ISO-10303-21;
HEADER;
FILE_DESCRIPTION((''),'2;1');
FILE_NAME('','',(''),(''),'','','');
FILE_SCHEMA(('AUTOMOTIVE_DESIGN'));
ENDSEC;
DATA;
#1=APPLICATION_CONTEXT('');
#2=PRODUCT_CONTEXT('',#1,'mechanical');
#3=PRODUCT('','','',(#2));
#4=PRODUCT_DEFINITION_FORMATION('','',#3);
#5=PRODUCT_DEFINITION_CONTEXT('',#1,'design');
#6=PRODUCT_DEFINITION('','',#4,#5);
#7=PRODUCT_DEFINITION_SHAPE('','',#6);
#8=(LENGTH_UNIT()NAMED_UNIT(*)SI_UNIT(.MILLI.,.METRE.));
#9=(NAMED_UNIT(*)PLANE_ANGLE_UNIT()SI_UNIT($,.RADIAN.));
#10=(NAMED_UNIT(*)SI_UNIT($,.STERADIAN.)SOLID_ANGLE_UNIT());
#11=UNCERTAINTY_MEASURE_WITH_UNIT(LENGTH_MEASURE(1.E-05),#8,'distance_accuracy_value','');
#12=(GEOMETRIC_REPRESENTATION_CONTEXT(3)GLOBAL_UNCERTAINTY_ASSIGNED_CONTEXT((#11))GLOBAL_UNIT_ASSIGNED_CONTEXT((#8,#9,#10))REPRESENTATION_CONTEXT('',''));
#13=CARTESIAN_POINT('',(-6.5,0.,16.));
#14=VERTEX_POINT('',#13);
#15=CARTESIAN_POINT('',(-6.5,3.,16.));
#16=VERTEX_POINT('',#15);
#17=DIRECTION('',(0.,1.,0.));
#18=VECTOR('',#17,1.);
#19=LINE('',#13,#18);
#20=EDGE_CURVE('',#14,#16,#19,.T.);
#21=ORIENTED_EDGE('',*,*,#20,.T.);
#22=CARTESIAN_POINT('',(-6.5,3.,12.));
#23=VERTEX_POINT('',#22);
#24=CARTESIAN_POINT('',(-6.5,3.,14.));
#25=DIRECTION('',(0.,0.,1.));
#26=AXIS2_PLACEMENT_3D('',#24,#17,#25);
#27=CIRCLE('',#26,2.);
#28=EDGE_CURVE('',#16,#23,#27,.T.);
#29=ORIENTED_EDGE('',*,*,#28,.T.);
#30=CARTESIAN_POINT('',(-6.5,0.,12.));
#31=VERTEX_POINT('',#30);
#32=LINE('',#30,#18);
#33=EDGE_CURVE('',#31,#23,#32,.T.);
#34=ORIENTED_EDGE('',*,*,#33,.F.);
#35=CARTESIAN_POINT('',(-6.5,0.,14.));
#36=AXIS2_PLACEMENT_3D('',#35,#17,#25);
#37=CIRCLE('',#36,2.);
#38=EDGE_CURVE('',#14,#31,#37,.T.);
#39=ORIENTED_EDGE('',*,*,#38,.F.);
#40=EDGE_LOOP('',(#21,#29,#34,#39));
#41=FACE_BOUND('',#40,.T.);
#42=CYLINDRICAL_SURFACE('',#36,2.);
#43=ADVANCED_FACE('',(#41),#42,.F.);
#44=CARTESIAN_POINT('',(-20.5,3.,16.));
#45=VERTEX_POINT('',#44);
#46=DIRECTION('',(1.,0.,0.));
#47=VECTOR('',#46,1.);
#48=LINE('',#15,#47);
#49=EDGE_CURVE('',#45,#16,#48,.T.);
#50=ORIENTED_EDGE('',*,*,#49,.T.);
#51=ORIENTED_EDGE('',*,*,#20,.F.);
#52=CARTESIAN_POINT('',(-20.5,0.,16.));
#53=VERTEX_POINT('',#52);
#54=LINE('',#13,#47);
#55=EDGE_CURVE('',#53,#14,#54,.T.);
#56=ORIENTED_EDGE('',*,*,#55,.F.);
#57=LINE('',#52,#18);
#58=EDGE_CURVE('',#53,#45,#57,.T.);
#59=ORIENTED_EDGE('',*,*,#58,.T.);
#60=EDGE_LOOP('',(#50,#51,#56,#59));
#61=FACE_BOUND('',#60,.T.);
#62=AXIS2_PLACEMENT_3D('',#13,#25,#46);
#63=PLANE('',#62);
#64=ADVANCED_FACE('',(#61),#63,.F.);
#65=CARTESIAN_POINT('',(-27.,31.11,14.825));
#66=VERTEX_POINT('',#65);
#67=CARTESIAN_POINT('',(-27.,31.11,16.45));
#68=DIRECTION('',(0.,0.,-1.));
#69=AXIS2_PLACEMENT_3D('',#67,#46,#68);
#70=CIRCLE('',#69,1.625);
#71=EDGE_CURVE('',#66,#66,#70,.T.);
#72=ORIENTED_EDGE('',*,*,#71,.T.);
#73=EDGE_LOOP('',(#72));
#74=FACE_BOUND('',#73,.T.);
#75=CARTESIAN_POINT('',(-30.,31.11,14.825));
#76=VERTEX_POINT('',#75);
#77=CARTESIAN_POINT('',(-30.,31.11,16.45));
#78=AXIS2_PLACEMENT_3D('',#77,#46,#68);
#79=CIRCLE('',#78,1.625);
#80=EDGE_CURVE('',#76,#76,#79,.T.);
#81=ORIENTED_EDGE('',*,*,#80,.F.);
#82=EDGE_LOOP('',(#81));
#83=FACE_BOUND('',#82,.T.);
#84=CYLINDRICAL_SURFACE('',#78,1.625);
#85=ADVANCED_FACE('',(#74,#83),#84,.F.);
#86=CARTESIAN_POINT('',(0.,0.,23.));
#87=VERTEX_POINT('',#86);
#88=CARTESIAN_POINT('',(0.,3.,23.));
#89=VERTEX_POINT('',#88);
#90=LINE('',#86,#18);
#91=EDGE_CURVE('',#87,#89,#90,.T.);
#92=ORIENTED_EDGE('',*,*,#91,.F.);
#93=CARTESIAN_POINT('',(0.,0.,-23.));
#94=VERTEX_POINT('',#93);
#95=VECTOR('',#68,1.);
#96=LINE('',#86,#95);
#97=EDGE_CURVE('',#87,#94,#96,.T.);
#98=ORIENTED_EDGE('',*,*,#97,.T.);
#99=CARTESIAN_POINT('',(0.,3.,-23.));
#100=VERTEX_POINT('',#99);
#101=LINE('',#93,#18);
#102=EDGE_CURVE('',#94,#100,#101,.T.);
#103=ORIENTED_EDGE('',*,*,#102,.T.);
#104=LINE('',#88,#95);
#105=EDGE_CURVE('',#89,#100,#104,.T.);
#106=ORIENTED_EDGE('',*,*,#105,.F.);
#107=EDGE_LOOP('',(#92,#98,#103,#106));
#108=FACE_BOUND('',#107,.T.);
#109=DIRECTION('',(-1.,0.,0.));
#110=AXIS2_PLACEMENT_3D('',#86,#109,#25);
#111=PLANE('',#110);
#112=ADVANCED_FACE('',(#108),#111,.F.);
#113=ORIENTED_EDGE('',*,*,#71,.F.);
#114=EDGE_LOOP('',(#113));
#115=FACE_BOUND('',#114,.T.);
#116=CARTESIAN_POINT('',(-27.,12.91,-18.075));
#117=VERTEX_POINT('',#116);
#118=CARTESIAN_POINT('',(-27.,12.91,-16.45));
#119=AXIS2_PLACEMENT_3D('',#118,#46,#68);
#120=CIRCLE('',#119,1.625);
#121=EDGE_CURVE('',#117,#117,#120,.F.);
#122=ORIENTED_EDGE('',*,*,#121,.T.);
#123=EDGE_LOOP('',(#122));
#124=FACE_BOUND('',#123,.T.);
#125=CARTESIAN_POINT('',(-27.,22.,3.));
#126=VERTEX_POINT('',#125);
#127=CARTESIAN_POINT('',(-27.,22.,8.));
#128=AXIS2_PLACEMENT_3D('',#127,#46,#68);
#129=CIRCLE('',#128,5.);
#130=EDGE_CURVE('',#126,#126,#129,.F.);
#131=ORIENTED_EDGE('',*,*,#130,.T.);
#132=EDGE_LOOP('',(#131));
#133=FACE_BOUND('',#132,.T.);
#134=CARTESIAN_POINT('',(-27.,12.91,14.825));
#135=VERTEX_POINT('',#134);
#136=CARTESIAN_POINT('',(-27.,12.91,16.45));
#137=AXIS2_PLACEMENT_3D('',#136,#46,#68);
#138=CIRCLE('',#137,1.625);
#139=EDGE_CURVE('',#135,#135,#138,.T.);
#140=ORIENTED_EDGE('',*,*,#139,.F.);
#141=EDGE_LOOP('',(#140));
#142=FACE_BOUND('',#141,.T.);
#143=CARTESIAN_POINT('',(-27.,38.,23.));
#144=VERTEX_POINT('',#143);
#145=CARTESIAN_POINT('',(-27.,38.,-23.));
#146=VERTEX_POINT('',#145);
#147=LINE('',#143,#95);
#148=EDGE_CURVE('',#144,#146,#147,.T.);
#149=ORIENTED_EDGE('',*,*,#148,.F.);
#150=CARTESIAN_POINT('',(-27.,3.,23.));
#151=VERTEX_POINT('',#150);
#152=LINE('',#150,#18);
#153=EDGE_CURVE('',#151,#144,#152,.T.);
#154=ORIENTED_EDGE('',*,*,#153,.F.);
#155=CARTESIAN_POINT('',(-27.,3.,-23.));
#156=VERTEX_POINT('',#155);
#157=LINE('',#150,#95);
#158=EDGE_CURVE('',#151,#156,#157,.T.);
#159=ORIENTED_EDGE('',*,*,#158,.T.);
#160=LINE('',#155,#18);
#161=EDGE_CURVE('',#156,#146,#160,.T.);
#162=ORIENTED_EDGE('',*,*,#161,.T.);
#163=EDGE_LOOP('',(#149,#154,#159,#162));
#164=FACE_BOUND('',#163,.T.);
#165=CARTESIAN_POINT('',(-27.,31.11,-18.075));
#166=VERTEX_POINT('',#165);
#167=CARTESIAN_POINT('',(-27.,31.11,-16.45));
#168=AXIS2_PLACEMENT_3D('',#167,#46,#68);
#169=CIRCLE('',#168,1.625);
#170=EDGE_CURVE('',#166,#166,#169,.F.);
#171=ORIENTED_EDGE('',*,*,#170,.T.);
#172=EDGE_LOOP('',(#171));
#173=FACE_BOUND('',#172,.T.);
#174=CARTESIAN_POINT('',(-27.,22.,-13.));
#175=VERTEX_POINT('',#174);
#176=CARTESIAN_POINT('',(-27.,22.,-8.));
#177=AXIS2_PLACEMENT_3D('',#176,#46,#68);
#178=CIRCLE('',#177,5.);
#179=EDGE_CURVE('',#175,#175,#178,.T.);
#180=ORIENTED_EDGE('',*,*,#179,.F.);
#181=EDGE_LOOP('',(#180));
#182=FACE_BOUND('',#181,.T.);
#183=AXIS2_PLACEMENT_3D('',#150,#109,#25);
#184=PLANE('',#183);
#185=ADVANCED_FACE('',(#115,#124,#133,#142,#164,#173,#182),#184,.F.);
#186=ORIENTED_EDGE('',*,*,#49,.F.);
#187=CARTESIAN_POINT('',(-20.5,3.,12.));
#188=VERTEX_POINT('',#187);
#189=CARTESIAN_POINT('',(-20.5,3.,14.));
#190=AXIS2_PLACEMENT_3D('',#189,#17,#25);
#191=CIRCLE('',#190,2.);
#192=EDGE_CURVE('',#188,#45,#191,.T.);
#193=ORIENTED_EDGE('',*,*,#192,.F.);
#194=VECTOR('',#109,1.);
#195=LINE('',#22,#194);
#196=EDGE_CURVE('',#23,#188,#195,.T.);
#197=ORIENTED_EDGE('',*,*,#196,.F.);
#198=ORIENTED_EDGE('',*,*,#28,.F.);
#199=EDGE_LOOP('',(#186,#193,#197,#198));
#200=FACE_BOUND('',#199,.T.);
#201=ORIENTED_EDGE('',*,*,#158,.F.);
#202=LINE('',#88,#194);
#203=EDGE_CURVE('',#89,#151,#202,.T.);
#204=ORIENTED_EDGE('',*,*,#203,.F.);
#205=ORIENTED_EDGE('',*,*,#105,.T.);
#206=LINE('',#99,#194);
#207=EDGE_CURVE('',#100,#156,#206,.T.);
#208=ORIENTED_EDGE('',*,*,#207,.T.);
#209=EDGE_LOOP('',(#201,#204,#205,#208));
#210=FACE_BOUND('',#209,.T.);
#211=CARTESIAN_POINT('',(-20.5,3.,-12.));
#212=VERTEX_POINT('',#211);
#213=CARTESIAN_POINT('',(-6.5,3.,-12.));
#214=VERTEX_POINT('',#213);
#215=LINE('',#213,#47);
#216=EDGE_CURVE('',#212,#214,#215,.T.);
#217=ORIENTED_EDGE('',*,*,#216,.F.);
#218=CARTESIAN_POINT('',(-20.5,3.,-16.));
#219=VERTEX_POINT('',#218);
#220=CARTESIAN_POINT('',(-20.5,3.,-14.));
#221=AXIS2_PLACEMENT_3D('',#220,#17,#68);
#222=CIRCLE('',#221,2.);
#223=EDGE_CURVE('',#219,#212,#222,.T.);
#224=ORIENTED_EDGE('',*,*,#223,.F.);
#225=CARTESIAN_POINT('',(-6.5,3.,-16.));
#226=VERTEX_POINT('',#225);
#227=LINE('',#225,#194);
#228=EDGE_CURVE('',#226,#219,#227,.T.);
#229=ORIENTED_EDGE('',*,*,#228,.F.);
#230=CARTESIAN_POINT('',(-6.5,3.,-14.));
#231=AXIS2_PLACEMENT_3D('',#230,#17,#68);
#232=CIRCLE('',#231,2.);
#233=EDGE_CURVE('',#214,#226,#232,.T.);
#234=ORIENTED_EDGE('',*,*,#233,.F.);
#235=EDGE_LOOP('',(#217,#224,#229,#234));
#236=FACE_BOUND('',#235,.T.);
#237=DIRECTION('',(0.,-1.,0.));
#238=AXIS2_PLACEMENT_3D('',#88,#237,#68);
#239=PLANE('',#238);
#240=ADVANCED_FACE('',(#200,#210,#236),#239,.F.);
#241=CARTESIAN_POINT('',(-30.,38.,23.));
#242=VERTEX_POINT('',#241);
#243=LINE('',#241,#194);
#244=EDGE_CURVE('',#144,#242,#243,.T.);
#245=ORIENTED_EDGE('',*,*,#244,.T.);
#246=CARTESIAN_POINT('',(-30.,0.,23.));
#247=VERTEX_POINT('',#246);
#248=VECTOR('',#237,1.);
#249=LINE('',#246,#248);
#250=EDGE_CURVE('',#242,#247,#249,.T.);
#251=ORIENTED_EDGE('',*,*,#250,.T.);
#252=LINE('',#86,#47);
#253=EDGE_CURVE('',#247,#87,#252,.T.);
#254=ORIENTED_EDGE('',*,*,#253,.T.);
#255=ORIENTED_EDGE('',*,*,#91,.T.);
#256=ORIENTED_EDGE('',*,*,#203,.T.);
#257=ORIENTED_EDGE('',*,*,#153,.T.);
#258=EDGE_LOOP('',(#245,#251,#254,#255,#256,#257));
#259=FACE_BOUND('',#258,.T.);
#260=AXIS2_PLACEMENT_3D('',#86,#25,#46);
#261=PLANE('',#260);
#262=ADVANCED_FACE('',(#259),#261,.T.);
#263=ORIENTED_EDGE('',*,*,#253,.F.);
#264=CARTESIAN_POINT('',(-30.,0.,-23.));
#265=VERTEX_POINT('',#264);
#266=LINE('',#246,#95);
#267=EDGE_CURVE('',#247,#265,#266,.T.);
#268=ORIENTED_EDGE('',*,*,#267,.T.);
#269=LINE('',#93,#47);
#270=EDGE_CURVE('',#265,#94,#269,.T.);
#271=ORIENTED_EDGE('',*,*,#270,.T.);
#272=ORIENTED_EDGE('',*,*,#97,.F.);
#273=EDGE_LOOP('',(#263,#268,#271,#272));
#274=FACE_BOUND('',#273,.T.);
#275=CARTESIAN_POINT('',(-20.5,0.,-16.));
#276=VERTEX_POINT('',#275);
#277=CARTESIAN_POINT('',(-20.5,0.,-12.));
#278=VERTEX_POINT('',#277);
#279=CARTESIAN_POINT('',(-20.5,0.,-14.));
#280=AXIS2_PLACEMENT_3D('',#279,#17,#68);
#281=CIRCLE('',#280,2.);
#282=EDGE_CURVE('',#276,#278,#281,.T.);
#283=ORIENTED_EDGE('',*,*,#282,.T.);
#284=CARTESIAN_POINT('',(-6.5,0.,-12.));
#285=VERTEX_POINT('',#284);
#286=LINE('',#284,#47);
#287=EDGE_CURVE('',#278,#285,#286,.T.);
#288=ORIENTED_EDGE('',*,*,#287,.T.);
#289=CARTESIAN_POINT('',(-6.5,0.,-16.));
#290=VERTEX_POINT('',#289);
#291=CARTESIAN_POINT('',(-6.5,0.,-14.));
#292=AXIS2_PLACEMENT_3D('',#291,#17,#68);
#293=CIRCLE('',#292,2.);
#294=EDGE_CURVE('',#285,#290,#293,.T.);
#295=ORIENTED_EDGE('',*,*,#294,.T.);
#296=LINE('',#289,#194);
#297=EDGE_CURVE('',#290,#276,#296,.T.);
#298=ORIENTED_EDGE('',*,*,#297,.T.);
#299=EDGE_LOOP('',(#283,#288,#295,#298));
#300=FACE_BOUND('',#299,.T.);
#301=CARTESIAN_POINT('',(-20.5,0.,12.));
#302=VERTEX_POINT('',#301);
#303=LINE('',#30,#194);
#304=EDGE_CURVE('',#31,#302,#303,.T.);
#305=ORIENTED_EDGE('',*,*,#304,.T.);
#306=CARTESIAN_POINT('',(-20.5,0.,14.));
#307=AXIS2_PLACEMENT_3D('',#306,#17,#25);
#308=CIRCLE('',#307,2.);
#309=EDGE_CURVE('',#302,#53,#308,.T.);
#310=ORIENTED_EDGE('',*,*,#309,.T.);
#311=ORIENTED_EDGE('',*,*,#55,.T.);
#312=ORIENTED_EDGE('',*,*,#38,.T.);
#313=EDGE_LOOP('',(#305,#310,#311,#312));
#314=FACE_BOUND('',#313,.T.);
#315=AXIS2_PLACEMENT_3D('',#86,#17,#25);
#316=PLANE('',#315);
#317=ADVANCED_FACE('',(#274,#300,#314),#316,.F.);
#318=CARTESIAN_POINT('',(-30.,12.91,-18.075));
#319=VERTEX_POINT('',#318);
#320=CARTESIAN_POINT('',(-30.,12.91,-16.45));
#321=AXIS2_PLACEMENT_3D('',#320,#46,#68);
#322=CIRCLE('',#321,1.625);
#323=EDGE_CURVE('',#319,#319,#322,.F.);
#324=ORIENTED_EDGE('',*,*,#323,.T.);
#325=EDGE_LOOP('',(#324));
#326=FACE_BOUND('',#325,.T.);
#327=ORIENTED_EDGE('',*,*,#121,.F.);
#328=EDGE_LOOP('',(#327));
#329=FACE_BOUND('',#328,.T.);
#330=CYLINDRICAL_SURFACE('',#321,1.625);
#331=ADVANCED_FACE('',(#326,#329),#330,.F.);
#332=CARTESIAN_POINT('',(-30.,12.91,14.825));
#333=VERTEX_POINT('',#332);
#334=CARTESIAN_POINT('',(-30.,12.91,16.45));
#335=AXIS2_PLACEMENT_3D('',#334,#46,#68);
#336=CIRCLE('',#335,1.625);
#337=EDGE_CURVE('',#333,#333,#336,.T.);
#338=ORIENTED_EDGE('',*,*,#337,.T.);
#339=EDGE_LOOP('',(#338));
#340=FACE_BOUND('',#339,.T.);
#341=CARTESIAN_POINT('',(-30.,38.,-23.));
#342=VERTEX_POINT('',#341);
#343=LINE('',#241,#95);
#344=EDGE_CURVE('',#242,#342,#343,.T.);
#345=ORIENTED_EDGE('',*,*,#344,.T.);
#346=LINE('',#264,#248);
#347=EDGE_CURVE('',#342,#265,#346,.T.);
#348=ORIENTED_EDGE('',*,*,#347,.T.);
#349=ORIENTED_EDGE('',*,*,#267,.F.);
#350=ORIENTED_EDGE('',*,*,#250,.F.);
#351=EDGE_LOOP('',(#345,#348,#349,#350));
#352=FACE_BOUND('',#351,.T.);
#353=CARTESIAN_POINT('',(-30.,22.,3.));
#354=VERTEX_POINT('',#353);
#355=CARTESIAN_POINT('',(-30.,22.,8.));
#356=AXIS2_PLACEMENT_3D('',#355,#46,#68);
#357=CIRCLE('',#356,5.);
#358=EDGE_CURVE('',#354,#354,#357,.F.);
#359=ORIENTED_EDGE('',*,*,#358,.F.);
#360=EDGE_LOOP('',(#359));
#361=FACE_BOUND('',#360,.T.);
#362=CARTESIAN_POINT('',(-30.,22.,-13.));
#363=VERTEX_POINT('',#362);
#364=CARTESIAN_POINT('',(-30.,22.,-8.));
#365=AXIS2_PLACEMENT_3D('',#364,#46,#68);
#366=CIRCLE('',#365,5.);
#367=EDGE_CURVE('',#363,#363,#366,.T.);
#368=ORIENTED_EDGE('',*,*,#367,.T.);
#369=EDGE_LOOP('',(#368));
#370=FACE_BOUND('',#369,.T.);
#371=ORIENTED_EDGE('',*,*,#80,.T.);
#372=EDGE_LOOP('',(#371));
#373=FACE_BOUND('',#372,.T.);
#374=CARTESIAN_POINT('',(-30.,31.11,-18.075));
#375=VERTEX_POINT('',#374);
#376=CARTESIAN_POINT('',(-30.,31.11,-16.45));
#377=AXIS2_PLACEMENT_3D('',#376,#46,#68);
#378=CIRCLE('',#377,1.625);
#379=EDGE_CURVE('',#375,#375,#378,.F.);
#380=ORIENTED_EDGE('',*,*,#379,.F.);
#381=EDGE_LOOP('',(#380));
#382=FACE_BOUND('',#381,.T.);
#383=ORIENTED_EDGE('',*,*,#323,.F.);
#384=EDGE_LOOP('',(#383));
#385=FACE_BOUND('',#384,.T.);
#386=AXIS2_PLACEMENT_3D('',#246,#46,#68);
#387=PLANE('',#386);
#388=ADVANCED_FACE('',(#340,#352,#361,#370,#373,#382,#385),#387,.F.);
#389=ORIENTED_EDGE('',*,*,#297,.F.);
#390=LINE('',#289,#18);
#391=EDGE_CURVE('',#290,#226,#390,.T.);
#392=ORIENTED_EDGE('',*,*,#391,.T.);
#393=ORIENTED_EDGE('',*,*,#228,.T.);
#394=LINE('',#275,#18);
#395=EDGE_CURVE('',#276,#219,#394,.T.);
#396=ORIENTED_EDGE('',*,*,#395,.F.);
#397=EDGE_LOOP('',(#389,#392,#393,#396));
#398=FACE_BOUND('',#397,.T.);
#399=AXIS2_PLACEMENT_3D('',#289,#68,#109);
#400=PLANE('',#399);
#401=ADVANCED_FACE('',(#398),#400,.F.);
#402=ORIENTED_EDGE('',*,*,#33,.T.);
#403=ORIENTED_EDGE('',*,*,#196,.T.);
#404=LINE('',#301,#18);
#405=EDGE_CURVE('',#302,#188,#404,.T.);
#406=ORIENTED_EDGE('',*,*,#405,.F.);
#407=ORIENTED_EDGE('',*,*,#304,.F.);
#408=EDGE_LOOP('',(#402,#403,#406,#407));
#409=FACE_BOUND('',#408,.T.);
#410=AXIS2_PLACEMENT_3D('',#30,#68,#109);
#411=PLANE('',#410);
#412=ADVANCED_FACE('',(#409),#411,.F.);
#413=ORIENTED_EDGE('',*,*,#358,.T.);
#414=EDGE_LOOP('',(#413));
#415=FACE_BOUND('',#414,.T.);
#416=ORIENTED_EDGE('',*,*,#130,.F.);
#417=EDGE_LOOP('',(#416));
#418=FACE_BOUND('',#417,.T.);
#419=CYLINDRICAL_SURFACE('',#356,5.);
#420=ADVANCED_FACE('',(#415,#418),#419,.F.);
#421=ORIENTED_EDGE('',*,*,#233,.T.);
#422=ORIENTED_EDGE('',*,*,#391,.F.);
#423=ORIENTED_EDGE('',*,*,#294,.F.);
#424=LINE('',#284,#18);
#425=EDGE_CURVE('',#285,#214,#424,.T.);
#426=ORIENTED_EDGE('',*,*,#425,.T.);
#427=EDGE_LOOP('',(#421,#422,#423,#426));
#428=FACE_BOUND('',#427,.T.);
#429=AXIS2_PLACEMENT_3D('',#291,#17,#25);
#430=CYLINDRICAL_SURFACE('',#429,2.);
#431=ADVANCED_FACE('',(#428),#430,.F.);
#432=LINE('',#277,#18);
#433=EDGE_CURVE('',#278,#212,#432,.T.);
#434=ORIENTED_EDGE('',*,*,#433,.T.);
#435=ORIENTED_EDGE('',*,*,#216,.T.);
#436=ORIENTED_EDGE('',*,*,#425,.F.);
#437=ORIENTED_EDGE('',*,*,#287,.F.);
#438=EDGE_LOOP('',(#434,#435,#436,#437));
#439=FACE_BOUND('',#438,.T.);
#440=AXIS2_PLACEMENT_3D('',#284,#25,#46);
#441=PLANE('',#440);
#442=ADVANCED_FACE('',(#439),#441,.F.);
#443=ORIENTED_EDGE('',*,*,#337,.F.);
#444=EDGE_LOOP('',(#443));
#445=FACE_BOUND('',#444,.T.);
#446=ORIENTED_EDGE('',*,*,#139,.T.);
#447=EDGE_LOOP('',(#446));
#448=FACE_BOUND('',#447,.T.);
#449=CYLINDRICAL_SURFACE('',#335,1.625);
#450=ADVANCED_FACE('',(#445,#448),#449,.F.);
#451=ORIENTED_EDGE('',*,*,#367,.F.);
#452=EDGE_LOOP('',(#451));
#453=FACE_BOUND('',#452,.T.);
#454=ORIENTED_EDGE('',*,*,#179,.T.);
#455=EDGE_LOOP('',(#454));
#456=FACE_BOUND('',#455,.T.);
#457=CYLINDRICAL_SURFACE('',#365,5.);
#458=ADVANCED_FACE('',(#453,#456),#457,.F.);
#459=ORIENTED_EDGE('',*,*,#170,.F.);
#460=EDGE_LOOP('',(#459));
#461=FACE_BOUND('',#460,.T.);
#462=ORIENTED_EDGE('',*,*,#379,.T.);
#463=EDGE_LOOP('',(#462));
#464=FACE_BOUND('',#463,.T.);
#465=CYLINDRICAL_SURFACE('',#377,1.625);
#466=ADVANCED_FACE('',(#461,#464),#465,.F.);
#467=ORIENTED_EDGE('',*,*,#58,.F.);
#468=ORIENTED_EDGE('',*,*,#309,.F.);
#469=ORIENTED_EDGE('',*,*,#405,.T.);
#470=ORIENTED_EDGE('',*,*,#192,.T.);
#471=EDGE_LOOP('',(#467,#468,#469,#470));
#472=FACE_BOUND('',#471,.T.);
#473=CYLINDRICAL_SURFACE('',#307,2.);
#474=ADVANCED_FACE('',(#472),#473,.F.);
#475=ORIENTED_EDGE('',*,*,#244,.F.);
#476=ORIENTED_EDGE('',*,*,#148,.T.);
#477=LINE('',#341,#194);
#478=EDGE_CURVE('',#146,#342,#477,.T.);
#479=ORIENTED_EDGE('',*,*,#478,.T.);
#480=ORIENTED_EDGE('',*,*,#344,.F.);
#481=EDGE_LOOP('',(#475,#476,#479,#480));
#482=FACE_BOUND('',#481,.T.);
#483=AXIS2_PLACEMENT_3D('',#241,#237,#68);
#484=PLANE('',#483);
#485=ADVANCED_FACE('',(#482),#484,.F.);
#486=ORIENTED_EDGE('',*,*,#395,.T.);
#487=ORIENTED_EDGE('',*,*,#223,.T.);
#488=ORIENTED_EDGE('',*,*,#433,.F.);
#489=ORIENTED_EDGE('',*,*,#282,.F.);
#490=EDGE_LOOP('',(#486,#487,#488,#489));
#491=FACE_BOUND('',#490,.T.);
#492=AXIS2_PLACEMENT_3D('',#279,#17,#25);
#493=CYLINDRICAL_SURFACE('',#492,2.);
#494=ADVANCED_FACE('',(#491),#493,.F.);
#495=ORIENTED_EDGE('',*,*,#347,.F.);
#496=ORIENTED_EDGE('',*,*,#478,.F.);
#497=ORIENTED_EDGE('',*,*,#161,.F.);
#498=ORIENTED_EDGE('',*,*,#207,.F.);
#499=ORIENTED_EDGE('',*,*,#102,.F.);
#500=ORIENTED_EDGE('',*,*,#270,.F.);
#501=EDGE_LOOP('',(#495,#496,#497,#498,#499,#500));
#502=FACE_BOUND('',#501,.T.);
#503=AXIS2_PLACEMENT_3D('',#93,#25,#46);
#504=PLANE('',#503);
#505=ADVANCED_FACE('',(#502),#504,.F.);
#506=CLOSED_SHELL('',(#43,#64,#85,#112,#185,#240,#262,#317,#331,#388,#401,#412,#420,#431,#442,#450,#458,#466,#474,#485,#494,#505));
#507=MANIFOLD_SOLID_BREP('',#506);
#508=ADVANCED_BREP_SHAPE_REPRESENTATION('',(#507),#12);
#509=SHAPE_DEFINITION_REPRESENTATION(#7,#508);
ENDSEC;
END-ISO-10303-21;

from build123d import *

# Parameters (mm, degrees)
BOSS_EXTRUDE1_DEPTH = 23
CUT_EXTRUDE1_DEPTH  = 52.51698749
SKETCH3_R           = 1.625
SKETCH3_R_2         = 5
CUT_EXTRUDE2_DEPTH  = 52.980765673


with BuildPart() as part:
    # Sketch1 → Boss-Extrude1 (new, symmetric)
    with BuildSketch(Plane.XY):
        Polygon((0, 0), (-30, 0), (-30, 38), (-27, 38), (-27, 3), (0, 3), align=None)
    extrude(amount=BOSS_EXTRUDE1_DEPTH, both=True)

    # Sketch2 → Cut-Extrude1 (cut, through all)
    with BuildSketch(Plane(origin=(0, 3, 0), x_dir=(1, 0, 0), z_dir=(0, 1, 0))):
        with BuildLine():
            Line((-6.5, -16), (-20.5, -16))
            ThreePointArc((-20.5, -16), (-22.5, -14), (-20.5, -12))
            Line((-20.5, -12), (-6.5, -12))
            ThreePointArc((-6.5, -12), (-4.5, -14), (-6.5, -16))
        make_face()
        with BuildLine():
            Line((-6.5, 16), (-20.5, 16))
            ThreePointArc((-20.5, 16), (-22.5, 14), (-20.5, 12))
            Line((-20.5, 12), (-6.5, 12))
            ThreePointArc((-6.5, 12), (-4.5, 14), (-6.5, 16))
        make_face()
    extrude(amount=-CUT_EXTRUDE1_DEPTH, mode=Mode.SUBTRACT)

    # Sketch3 → Cut-Extrude2 (cut, through all)
    with BuildSketch(Plane(origin=(-27, 0, 0), x_dir=(0, 0, -1), z_dir=(1, 0, 0))):
        with Locations((-16.45, 31.11)):
            Circle(SKETCH3_R)
        with Locations((-8, 22)):
            Circle(SKETCH3_R_2)
        with Locations((-16.45, 12.91)):
            Circle(SKETCH3_R)
        with Locations((8, 22)):
            Circle(SKETCH3_R_2)
        with Locations((16.45, 31.11)):
            Circle(SKETCH3_R)
        with Locations((16.45, 12.91)):
            Circle(SKETCH3_R)
    extrude(amount=-CUT_EXTRUDE2_DEPTH, mode=Mode.SUBTRACT)


solid = part.part
